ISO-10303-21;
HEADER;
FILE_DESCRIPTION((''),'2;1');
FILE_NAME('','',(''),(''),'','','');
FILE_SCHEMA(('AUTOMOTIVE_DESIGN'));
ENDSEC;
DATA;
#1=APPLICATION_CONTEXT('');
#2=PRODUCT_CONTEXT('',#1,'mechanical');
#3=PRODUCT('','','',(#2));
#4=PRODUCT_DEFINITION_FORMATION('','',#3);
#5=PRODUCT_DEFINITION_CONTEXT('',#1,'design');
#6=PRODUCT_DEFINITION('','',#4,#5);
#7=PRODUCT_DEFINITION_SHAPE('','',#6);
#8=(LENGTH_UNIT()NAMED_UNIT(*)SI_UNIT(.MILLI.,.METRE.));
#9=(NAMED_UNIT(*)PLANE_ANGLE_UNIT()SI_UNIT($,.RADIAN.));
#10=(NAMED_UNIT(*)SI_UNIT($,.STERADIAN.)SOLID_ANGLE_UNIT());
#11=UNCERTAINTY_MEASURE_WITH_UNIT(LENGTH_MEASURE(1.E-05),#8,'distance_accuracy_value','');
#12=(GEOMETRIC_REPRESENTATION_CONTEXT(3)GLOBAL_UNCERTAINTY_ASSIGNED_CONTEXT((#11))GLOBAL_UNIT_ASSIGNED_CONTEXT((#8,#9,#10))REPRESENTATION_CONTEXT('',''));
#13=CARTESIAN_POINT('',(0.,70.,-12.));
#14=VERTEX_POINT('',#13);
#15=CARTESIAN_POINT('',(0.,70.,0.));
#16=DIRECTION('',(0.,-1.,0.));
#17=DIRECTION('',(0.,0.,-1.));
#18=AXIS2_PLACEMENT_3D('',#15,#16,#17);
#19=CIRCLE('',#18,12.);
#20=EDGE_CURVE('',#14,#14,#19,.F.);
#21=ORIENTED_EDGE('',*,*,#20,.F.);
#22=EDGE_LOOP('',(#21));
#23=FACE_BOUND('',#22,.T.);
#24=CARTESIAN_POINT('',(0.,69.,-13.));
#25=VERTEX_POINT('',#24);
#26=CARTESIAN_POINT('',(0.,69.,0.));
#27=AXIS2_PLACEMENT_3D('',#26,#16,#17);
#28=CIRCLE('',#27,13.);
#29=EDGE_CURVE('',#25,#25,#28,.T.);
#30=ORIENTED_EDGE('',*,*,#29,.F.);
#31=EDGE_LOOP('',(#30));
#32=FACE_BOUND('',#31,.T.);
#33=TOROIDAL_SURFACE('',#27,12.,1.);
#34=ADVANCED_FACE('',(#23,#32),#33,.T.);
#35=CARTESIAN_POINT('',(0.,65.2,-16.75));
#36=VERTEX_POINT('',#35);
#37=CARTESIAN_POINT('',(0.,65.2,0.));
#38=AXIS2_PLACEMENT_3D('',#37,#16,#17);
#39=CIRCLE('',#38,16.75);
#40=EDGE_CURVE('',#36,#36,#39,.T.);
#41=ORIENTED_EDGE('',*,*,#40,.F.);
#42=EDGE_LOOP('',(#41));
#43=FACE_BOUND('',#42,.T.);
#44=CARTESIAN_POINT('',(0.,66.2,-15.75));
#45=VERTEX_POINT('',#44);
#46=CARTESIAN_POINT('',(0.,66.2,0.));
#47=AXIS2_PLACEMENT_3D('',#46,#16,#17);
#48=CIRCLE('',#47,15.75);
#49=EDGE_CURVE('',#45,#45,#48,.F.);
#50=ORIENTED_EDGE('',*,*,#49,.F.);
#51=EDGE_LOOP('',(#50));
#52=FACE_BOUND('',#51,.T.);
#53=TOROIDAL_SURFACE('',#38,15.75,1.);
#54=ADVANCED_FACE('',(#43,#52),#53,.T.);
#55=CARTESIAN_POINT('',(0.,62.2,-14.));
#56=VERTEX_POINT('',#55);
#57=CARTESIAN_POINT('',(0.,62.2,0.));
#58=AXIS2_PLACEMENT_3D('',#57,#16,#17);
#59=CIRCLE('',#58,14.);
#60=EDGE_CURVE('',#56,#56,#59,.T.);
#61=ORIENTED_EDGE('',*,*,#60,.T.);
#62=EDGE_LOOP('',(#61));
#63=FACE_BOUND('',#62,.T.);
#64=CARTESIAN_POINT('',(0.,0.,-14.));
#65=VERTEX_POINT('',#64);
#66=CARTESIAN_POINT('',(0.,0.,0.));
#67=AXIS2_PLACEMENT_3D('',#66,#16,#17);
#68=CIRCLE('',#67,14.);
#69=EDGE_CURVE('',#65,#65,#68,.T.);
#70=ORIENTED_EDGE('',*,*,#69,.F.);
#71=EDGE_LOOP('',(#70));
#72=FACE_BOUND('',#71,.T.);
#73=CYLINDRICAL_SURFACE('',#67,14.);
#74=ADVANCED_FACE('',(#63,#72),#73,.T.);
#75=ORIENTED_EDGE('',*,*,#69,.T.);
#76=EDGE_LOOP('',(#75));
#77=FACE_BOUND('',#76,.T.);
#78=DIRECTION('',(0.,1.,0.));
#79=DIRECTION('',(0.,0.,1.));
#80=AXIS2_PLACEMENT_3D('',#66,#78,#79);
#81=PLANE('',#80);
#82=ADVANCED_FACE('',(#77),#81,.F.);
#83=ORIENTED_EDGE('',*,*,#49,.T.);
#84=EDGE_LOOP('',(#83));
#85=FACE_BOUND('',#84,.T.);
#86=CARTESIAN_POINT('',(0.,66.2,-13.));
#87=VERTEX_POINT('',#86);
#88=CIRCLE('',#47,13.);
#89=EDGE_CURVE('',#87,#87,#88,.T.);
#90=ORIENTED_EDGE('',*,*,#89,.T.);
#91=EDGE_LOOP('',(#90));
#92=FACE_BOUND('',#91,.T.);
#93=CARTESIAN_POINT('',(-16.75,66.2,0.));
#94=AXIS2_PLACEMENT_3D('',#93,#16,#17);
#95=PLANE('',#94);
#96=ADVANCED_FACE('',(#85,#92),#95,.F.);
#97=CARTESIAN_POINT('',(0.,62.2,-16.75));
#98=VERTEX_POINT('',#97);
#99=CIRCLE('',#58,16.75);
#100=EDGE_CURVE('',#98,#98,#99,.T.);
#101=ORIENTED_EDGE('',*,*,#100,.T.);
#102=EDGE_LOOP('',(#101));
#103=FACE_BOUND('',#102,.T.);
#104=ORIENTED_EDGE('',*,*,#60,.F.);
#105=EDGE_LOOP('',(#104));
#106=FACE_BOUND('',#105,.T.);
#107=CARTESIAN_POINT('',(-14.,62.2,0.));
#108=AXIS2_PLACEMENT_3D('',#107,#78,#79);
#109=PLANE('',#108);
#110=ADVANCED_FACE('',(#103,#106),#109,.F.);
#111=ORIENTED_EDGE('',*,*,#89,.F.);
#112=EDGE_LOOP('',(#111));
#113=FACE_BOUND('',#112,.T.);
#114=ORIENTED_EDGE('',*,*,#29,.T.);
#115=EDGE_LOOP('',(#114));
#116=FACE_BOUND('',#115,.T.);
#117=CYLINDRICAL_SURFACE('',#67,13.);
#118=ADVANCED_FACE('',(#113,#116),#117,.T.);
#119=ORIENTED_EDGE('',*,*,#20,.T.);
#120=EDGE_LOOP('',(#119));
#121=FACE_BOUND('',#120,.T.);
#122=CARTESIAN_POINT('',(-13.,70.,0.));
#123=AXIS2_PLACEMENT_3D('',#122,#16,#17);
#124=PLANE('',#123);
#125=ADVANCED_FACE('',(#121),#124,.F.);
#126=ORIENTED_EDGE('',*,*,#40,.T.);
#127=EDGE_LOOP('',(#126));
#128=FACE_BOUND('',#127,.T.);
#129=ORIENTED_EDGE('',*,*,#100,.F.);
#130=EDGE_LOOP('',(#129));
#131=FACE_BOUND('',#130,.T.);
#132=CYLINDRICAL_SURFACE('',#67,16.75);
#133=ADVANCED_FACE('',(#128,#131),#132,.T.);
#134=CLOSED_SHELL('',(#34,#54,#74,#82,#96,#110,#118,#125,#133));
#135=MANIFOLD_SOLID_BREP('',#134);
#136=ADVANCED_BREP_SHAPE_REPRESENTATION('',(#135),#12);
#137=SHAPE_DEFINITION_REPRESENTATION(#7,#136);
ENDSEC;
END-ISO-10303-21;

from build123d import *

# Parameters (mm, degrees)
FILLET1_R = 1


with BuildPart() as part:
    # Sketch1 → Revolve1 (revolve)
    with BuildSketch(Plane.XY):
        Polygon((0, 0), (-14, 0), (-14, 62.2), (-16.75, 62.2), (-16.75, 66.2), (-13, 66.2), (-13, 70), (0, 70), align=None)
    revolve(axis=Axis((0, 0, 0), (0, 1, 0)))

    # Fillet1
    fillet1_edges = [part.edges().sort_by_distance(p)[0] for p in [
        (13, 70, 0),
        (16.75, 66.2, 0),
    ]]
    fillet(fillet1_edges, radius=FILLET1_R)


solid = part.part
